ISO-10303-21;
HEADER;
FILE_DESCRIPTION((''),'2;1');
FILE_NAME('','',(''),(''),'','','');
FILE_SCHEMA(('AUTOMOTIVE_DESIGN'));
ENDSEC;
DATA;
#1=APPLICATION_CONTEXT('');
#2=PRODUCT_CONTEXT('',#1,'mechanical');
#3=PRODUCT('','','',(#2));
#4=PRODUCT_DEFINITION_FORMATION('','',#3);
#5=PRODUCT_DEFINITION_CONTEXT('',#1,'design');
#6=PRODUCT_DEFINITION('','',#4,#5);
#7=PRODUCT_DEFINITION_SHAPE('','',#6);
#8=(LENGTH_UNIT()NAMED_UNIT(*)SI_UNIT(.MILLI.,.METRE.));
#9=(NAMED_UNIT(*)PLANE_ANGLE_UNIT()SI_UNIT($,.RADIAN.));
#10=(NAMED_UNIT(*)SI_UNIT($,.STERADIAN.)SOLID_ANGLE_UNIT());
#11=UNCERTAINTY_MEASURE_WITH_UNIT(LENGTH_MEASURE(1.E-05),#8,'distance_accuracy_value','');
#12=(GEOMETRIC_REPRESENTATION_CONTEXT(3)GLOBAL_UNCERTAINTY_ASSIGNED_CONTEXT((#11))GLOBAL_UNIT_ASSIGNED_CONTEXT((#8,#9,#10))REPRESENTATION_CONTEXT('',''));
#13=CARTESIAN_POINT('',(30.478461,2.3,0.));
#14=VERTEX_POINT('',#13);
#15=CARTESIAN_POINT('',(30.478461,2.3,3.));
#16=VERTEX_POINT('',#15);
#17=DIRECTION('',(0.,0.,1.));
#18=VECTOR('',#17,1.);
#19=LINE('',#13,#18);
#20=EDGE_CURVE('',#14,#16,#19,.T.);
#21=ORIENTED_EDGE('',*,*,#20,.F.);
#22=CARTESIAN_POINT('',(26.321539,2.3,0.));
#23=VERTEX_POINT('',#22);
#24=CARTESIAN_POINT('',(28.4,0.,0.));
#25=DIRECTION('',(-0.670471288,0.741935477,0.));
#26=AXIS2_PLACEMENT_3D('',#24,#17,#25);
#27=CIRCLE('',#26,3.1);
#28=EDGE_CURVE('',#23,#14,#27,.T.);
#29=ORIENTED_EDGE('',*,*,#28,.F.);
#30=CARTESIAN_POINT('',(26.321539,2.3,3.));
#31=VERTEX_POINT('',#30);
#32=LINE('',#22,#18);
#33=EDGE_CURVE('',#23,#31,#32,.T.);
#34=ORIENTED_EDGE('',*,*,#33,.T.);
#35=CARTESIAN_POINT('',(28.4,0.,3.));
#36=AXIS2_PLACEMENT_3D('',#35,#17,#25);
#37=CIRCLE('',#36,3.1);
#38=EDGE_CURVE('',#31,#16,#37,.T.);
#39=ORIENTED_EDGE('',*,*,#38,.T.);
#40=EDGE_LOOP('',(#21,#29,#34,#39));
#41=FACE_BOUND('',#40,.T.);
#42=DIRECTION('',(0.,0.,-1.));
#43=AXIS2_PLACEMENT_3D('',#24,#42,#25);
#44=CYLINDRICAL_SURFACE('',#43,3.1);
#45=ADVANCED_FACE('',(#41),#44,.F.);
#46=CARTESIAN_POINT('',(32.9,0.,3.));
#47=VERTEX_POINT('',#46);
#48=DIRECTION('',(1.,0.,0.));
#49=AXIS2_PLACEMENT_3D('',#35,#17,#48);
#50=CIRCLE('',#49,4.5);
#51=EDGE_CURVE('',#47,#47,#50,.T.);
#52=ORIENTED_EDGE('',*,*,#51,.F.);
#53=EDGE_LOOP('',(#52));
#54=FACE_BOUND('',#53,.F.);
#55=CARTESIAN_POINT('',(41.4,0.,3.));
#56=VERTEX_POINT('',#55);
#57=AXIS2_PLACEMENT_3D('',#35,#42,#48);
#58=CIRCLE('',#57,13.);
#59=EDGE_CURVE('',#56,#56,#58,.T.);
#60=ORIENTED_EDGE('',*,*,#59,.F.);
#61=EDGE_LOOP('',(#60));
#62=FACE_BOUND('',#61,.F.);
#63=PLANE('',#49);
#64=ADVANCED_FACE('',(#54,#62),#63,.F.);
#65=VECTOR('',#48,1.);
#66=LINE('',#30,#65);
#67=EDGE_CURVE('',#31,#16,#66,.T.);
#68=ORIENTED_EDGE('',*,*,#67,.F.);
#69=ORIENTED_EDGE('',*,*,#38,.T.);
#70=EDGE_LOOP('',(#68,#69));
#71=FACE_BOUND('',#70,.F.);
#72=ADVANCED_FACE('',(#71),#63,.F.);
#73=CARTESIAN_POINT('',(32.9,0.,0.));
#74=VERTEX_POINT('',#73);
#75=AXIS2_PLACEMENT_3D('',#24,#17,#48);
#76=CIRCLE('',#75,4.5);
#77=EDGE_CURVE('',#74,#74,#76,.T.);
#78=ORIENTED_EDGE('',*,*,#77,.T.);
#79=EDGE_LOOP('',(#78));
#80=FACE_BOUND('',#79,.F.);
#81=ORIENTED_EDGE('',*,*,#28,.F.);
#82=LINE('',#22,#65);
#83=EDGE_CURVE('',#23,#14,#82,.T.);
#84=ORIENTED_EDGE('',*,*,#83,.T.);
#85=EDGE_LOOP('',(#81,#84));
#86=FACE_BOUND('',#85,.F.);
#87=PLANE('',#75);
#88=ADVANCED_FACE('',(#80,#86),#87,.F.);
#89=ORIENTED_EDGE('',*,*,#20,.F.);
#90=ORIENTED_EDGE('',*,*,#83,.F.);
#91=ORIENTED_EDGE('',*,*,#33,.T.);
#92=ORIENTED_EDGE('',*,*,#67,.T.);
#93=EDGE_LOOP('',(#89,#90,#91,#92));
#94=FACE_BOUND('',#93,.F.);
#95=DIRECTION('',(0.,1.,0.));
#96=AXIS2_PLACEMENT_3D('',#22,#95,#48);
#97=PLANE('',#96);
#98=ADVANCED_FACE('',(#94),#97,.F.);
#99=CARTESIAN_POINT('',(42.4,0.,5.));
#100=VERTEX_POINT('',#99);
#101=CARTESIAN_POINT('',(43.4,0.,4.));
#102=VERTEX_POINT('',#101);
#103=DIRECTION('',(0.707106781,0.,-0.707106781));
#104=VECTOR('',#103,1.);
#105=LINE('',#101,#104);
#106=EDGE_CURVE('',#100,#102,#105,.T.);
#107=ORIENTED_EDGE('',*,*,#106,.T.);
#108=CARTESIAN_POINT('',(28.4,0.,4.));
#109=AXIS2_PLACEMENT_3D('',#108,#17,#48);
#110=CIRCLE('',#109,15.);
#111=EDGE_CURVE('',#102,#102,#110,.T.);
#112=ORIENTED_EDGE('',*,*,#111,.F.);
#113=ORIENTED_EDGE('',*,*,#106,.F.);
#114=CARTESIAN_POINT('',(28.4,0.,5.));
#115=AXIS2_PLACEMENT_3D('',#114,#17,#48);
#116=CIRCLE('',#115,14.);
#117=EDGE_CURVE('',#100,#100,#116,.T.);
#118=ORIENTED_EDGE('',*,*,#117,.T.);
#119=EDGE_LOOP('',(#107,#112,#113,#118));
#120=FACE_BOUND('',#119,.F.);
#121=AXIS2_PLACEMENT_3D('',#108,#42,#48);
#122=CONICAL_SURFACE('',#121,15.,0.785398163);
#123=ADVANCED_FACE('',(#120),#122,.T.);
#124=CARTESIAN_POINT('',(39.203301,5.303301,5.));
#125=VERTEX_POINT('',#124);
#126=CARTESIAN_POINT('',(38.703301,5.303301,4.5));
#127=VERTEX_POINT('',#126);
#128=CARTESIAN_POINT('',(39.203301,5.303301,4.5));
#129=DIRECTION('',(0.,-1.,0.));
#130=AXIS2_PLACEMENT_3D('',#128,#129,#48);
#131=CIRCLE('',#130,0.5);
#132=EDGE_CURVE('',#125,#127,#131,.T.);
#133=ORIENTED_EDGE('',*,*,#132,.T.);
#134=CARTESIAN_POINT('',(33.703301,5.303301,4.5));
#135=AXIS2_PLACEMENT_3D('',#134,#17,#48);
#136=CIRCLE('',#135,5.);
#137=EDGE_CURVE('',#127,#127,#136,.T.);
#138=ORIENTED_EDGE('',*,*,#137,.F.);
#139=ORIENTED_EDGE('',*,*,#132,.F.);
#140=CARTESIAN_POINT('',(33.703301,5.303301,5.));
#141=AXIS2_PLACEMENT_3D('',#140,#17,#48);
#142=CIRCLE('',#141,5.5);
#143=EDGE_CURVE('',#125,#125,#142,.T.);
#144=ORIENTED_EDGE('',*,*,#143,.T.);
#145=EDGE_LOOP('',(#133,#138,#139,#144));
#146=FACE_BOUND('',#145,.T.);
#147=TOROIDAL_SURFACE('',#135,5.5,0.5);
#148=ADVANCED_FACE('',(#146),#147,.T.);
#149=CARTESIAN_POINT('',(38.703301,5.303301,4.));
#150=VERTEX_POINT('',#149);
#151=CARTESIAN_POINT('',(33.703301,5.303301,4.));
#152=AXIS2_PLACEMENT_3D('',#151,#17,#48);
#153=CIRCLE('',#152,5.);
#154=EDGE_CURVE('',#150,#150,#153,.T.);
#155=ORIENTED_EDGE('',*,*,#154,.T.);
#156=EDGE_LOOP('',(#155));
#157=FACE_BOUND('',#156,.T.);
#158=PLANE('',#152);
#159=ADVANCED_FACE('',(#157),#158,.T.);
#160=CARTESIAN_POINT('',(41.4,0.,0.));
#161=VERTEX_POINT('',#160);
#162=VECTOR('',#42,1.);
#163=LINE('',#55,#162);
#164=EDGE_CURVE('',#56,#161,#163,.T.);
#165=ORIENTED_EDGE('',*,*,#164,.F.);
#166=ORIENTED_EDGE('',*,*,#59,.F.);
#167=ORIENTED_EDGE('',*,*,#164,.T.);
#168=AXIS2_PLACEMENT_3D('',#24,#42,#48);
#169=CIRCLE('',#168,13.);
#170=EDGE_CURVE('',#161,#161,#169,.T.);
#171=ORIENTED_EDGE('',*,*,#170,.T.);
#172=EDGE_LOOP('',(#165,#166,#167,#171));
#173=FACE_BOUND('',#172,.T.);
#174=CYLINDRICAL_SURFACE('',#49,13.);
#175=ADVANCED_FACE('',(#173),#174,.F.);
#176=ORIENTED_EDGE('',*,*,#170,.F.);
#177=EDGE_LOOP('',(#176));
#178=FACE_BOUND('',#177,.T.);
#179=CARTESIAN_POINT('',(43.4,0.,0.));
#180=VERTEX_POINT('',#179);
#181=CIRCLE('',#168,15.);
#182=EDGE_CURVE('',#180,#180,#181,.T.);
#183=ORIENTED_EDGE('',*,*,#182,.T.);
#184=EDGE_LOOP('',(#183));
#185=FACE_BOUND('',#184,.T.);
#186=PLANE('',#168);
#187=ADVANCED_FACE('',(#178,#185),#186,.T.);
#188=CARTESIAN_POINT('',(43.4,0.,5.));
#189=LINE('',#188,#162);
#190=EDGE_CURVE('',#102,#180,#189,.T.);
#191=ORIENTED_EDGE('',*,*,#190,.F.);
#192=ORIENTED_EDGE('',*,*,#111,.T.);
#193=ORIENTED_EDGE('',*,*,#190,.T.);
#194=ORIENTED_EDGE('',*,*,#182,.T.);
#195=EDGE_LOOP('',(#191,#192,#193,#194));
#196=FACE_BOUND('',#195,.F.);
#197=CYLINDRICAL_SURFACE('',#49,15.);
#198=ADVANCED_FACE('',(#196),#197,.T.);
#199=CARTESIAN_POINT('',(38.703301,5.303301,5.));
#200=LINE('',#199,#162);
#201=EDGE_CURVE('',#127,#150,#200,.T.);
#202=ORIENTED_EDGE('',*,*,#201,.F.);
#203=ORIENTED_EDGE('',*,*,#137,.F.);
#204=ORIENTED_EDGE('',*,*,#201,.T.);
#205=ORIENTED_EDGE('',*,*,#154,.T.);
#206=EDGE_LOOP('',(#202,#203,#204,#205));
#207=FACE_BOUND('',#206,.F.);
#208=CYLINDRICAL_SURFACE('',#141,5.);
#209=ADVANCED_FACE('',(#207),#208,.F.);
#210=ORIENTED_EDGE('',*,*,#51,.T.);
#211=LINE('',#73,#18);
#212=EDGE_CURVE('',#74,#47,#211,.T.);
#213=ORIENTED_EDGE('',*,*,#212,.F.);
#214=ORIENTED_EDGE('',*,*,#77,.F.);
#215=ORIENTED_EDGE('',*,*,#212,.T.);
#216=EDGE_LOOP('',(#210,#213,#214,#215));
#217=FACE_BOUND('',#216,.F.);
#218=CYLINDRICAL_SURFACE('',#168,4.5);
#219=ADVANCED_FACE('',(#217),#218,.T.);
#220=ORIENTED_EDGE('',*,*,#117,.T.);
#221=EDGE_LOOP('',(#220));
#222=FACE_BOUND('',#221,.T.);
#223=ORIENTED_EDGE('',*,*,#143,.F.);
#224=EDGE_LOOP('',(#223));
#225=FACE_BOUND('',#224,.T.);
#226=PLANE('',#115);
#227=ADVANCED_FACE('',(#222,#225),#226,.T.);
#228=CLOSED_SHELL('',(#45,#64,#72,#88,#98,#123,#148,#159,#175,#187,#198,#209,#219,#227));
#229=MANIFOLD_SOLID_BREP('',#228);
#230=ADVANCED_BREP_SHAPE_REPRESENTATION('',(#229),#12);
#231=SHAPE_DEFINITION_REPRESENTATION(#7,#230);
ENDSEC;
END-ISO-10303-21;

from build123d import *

# Parameters (mm, degrees)
SKETCH004_R     = 4.5
PAD003_DEPTH    = 3
SKETCH005_R     = 15
PAD004_DEPTH    = 2
SKETCH006_R     = 15
SKETCH006_R_2   = 13
PAD005_DEPTH    = 3
SKETCH007_R     = 5
POCKET001_DEPTH = 1
FILLET001_R     = 0.5
CHAMFER001_SIZE = 1


with BuildPart() as part:
    # Sketch004 → Pad003 (new body)
    with BuildSketch(Plane.XY):
        Circle(SKETCH004_R)
        with BuildLine():
            ThreePointArc((-2.078461, 2.3), (0, -3.1), (2.078461, 2.3))
            Line((-2.078461, 2.3), (2.078461, 2.3))
        make_face(mode=Mode.SUBTRACT)
    extrude(amount=PAD003_DEPTH)

    # Sketch005 (on Face5 of Pad003) → Pad004 (join)
    with BuildSketch(Plane.XY.offset(3)):
        Circle(SKETCH005_R)
    extrude(amount=PAD004_DEPTH)

    # Sketch006 (on Face2 of Pad004) → Pad005 (join)
    with BuildSketch(Plane(origin=(0, 0, 3), x_dir=(1, 0, 0), z_dir=(0, 0, -1))):
        Circle(SKETCH006_R)
        Circle(SKETCH006_R_2, mode=Mode.SUBTRACT)
    extrude(amount=PAD005_DEPTH)

    # Sketch007 (on Face3 of Pad005) → Pocket001 (cut)
    with BuildSketch(Plane.XY.offset(5)):
        with Locations((5.303301, 5.303301)):
            Circle(SKETCH007_R)
    extrude(amount=-POCKET001_DEPTH, mode=Mode.SUBTRACT)

    # Fillet001
    fillet001_edges = [part.edges().sort_by_distance(p)[0] for p in [
        (0.303301, 5.303301, 5),
    ]]
    fillet(fillet001_edges, radius=FILLET001_R)

    # Chamfer001
    chamfer001_edges = [part.edges().sort_by_distance(p)[0] for p in [
        (-15, 0, 5),
    ]]
    chamfer(chamfer001_edges, length=CHAMFER001_SIZE)


with BuildPart() as part_1:
    # Body001 placement: moved
    add(part.part.moved(Location((28.4, 0, 0))))


solid = part_1.part
